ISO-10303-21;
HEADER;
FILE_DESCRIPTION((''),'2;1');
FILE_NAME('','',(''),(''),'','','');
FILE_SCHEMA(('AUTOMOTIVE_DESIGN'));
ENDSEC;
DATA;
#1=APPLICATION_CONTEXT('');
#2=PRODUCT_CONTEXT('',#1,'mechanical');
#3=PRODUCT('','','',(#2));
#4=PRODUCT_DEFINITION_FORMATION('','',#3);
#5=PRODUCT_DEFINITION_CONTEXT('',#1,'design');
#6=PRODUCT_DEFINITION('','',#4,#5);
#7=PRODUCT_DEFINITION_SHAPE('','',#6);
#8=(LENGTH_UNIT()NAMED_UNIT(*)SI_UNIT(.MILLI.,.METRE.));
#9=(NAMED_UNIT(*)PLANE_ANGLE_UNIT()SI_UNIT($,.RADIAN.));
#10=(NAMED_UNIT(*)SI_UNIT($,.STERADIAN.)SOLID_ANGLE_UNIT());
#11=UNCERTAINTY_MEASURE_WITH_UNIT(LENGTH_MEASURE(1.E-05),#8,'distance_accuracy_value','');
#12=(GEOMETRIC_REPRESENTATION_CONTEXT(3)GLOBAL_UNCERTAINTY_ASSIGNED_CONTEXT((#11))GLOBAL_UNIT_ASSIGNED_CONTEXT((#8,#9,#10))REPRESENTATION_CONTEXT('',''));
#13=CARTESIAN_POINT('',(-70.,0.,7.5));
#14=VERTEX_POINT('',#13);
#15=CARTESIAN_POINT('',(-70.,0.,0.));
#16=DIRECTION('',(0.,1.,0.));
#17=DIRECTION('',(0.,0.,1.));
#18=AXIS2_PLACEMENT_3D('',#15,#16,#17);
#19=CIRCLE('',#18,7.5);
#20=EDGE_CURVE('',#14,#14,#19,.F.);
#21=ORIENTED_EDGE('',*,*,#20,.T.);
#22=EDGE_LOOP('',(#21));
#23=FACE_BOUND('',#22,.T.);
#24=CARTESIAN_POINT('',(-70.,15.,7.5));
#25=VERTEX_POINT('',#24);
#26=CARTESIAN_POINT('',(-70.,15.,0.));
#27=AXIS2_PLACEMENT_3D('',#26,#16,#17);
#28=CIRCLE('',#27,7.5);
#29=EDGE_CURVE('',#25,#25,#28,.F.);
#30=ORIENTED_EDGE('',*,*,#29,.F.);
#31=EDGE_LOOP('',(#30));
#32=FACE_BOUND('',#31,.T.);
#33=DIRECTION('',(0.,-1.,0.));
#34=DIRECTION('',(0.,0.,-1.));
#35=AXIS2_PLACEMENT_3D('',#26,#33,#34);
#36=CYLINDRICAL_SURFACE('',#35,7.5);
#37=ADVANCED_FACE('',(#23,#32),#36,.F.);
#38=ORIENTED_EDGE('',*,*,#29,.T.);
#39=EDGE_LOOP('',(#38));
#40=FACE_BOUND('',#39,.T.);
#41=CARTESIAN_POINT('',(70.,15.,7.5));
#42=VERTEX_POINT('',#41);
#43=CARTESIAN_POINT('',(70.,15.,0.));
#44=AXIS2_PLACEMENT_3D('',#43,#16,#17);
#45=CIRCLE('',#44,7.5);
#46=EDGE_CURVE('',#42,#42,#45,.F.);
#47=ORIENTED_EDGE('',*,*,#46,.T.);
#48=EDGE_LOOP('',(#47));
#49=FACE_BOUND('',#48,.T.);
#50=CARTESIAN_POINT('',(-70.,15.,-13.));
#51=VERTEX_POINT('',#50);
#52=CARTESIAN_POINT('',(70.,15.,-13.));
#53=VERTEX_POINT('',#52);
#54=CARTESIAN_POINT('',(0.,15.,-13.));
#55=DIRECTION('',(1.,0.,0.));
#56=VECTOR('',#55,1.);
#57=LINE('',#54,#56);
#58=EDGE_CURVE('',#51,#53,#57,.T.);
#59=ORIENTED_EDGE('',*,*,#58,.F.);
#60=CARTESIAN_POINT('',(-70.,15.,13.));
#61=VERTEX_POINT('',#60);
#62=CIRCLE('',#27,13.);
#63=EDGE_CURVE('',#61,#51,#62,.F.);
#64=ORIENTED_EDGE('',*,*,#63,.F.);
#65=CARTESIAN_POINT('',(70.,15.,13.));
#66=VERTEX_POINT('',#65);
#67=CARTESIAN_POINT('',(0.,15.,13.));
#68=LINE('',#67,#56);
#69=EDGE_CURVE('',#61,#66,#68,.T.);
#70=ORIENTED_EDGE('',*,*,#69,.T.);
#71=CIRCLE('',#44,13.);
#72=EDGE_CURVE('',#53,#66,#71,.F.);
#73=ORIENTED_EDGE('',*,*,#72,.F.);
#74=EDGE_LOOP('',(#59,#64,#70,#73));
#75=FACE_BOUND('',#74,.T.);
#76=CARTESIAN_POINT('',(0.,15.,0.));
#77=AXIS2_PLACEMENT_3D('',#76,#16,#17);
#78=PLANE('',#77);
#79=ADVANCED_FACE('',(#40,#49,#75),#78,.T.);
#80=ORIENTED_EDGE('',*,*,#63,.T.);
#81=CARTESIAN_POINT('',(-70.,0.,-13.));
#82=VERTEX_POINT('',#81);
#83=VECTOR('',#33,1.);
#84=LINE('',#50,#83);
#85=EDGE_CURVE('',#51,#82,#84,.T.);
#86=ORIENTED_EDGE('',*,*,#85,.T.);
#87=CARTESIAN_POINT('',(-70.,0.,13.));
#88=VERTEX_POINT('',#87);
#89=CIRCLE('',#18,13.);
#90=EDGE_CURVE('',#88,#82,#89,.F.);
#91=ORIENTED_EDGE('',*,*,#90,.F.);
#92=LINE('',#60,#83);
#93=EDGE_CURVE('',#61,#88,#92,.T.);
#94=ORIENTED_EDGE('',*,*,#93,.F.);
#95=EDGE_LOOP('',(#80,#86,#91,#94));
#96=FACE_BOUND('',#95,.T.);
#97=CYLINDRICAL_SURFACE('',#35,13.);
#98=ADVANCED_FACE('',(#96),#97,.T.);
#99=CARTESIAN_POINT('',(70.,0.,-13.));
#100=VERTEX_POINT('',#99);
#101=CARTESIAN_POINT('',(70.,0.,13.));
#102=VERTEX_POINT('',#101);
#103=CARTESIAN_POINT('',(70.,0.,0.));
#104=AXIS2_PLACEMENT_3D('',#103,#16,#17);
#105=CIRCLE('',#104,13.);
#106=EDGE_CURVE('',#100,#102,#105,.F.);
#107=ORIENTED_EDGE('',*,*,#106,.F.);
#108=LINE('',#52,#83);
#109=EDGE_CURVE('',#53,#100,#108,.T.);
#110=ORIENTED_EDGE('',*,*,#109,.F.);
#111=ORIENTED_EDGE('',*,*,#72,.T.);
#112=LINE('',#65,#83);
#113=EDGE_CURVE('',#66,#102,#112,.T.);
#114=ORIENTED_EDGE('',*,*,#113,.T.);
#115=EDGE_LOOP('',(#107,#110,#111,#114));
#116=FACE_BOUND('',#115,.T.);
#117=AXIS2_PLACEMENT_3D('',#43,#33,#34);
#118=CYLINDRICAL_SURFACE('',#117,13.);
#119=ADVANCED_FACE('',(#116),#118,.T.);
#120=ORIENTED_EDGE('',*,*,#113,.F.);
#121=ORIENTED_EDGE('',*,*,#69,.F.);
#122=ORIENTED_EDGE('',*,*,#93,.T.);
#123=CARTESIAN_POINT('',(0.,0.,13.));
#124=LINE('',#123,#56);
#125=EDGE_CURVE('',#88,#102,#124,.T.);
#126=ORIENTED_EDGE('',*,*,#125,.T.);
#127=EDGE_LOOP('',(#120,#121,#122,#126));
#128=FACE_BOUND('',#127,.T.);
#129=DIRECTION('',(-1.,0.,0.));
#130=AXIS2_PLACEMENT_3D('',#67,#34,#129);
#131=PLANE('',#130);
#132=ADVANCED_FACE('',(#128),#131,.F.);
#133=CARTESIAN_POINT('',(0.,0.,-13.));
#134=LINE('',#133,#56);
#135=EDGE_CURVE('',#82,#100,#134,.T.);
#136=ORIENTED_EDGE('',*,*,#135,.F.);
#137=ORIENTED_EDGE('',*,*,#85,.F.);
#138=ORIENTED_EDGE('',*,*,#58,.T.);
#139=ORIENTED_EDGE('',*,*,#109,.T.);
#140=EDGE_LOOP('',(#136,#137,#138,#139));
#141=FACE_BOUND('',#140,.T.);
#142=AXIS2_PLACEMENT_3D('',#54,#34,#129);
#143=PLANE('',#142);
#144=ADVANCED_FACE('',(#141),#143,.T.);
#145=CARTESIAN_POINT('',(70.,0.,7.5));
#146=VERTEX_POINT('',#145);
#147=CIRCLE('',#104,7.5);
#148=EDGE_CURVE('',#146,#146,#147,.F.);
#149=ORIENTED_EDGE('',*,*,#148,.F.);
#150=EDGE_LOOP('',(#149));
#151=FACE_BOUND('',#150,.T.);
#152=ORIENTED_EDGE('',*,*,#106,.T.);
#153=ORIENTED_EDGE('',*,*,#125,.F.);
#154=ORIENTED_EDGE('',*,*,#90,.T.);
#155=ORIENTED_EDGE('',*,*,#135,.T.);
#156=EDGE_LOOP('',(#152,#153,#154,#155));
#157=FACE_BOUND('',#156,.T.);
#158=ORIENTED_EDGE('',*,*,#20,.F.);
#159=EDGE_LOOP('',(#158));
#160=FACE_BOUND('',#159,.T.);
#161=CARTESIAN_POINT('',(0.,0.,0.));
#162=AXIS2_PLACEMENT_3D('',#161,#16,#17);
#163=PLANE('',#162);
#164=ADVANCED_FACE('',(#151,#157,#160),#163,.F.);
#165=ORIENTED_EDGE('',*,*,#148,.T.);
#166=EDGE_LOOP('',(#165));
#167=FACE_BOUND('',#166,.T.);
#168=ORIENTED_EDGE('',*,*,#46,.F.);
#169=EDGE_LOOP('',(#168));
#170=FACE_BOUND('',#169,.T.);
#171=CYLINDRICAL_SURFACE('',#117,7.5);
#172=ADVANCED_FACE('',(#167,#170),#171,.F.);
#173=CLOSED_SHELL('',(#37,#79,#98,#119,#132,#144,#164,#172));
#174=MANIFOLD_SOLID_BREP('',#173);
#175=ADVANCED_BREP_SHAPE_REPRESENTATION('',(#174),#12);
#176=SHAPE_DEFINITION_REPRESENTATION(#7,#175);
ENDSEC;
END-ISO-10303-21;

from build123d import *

# Parameters (mm, degrees)
SKETCH1_R           = 7.5
BOSS_EXTRUDE1_DEPTH = 15


with BuildPart() as part:
    # Sketch1 → Boss-Extrude1 (new body)
    with BuildSketch(Plane.XZ):
        with BuildLine():
            Line((-70, 13), (70, 13))
            ThreePointArc((70, 13), (83, 0), (70, -13))
            Line((70, -13), (-70, -13))
            ThreePointArc((-70, -13), (-83, 0), (-70, 13))
        make_face()
        with Locations(Location((-70, 0, 0), (0, 0, 90))):
            Circle(SKETCH1_R, mode=Mode.SUBTRACT)
        with Locations(Location((70, 0, 0), (0, 0, 90))):
            Circle(SKETCH1_R, mode=Mode.SUBTRACT)
    extrude(amount=-BOSS_EXTRUDE1_DEPTH)


solid = part.part
